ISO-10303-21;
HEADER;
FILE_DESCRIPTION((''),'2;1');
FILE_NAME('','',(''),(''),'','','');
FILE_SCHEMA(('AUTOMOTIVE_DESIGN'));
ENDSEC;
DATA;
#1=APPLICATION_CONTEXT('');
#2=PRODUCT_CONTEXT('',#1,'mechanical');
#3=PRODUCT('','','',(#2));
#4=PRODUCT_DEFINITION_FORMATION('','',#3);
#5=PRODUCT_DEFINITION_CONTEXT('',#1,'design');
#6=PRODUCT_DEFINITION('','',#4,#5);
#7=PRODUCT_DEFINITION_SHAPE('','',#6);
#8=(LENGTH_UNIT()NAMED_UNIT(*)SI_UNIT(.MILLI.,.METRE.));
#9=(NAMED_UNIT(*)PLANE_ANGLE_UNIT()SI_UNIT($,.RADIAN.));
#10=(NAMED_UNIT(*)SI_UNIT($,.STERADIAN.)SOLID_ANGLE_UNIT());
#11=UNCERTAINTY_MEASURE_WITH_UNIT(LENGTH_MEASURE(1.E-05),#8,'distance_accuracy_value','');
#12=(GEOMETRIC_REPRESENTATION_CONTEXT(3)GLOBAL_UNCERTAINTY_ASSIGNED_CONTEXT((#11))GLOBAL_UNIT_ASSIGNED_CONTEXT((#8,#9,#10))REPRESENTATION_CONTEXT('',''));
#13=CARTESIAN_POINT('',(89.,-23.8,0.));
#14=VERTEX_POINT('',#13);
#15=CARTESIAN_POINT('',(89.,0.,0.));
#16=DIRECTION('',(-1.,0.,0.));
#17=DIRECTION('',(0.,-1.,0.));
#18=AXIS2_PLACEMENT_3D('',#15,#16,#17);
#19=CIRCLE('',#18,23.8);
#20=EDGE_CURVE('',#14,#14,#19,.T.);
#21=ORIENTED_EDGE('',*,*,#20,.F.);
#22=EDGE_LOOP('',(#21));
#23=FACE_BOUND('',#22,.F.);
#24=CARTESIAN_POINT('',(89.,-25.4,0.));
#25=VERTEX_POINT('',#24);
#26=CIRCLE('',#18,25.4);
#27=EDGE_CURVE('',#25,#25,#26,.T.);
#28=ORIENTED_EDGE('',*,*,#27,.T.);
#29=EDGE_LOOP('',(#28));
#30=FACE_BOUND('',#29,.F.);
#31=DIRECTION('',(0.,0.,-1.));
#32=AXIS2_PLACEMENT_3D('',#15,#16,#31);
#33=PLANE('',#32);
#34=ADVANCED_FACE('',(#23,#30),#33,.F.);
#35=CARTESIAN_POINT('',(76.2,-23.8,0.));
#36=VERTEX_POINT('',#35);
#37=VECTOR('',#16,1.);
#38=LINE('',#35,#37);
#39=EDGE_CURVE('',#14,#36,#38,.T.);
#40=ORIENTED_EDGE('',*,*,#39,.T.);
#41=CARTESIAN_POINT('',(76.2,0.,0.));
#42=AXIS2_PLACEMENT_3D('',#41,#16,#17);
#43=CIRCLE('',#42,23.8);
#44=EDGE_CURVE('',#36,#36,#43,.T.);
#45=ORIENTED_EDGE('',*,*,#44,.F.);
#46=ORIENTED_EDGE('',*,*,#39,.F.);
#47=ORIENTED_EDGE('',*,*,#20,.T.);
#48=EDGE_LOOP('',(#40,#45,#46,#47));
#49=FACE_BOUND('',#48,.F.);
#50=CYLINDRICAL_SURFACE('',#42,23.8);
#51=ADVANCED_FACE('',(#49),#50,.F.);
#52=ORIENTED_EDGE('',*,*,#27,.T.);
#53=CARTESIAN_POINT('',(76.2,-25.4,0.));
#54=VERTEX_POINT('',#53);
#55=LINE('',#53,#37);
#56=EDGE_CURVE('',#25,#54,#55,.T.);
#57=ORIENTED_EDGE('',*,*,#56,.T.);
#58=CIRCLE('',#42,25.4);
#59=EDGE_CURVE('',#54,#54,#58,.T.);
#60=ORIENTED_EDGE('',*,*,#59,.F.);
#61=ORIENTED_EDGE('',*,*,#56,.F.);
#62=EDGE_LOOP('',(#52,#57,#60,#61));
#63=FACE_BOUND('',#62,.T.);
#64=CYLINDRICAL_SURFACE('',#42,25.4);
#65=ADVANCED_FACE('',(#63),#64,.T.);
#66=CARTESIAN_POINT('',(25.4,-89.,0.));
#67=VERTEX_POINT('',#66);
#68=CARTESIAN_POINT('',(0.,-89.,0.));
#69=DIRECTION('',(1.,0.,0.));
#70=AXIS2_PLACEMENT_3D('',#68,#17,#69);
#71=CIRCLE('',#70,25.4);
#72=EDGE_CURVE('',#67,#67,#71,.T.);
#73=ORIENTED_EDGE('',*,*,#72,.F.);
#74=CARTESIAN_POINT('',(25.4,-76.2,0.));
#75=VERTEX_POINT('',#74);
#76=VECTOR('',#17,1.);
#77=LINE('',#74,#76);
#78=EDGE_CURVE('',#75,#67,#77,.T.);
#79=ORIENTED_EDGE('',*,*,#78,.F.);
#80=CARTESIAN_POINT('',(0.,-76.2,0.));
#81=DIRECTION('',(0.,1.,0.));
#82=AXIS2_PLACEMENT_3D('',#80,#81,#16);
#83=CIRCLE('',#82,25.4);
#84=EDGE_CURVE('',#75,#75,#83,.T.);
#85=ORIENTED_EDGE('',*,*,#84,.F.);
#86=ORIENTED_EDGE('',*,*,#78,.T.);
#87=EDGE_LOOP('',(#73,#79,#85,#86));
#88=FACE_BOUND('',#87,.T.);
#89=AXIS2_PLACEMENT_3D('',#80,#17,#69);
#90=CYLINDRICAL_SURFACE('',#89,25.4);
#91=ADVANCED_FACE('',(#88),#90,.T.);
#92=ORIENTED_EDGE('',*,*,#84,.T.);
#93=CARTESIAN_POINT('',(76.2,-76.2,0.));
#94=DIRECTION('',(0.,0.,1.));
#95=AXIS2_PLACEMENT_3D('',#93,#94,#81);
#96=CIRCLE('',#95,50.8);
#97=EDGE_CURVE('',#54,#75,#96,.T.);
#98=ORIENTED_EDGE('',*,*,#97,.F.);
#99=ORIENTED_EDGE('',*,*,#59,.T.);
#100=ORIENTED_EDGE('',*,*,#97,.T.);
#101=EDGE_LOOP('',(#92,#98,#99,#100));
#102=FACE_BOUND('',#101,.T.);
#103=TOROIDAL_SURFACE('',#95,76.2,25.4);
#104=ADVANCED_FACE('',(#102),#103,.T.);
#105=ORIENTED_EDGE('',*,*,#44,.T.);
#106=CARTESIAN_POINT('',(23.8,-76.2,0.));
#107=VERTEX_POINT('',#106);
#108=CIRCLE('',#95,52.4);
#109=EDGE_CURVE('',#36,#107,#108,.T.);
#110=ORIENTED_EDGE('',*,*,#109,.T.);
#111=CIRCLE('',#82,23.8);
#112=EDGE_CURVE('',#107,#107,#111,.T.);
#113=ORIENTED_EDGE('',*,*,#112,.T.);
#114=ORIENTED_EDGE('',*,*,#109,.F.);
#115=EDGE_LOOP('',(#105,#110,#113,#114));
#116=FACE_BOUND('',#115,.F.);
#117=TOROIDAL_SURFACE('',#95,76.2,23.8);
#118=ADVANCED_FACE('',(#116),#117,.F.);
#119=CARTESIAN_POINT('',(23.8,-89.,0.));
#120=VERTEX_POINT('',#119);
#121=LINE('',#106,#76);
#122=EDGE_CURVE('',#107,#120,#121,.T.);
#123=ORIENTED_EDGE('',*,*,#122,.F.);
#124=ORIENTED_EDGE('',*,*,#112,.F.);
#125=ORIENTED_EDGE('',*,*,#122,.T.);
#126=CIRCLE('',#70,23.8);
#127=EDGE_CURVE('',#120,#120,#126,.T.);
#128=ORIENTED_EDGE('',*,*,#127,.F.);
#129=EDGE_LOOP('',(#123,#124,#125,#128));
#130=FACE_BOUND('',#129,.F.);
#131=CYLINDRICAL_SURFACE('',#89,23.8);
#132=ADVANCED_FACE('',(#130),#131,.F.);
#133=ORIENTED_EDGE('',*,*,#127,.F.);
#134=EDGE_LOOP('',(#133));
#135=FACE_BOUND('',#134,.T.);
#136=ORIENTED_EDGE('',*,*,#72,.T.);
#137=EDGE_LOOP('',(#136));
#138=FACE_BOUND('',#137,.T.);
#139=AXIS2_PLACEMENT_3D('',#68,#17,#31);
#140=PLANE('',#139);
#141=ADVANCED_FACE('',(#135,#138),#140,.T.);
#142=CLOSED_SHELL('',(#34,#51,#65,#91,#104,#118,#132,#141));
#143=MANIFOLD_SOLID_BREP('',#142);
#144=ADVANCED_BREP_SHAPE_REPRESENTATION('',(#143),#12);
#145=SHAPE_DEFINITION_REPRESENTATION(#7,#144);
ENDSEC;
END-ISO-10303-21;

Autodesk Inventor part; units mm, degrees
ref_plane "YZ Plane" through (0, 0, 0) normal (1, 0, 0) x (0, 1, 0)
ref_plane "XZ Plane" through (0, 0, 0) normal (0, 1, 0) x (-1, 0, 0)
sketch "Szkic6" plane through (0, 0, 0) normal (0, 0, 1) x (1, 0, 0)
  line L0 (-29.6067, 0) -> (35.2678, 0) construction
  line L1 (0, 42.3419) -> (0, -58.3726) construction
  arc A0 (76.2, 0) -> (0, -76.2) centre (76.2, -76.2) ccw
  line L2 (0, -76.2) -> (76.2, -76.2) construction
  line L3 (76.2, -76.2) -> (76.2, -10.6669) construction
  line L4 (76.2, 0) -> (89, 0)
  line L5 (0, -76.2) -> (0, -89)
  point P0 (0, 0)
  dimension "d24" = 76.2
  dimension "d31" = 90
  dimension "d36" = 12.8
  dimension "d37" = 12.8
ref_plane "Płaszczyzna konstrukcyjna2" through (0, -76.2, 0) normal (0, -1, 0) x (1, 0, 0)
sketch "Szkic8" plane through (0, -76.2, 0) normal (0, -1, 0) x (1, 0, 0)
  circle A0 centre (0, 0) radius 25.4
  circle A1 centre (0, 0) radius 23.8
  dimension "d32" = 50.8
  dimension "d33" = 1.6
sweep "Przeciągnięcie2" add profiles "Szkic8" path "Szkic6"
equation "\"d32\" = OD"
equation "\"d33\" = THK"
equation "\"d24\" = R"
equation "\"d31\" = KAT"
equation "\"d36\" = PROSTKA"
equation "\"d37\" = PROSTKA"
equation "\"SzerokośćGięciaPodcięcia\" = Grubość"
equation "\"RozmiarPodcięciaNarożnika\" = 4 * Grubość"
equation "\"PromieńPrzejścia\" = PromieńGięcia"
equation "\"Rozmiar_promienia_Jacobiego\" = PromieńGięcia"
equation "\"Wielk_odstępu\" = Grubość"
equation "\"d2\" = PromieńGięcia"
equation "\"d23\" = PromieńGięcia"
equation "\"R\" = 76.2"
equation "\"OD\" = 50.8"
equation "\"THK\" = 1.6"
equation "\"KAT\" = 90deg"
equation "\"PROSTKA\" = 12.8"
equation "\"Grubość\" = 1.5"
equation "\"PromieńGięcia\" = 3"
properties part number "Kolano 90° ø50,8x1,6 R76,2" material "304L"
